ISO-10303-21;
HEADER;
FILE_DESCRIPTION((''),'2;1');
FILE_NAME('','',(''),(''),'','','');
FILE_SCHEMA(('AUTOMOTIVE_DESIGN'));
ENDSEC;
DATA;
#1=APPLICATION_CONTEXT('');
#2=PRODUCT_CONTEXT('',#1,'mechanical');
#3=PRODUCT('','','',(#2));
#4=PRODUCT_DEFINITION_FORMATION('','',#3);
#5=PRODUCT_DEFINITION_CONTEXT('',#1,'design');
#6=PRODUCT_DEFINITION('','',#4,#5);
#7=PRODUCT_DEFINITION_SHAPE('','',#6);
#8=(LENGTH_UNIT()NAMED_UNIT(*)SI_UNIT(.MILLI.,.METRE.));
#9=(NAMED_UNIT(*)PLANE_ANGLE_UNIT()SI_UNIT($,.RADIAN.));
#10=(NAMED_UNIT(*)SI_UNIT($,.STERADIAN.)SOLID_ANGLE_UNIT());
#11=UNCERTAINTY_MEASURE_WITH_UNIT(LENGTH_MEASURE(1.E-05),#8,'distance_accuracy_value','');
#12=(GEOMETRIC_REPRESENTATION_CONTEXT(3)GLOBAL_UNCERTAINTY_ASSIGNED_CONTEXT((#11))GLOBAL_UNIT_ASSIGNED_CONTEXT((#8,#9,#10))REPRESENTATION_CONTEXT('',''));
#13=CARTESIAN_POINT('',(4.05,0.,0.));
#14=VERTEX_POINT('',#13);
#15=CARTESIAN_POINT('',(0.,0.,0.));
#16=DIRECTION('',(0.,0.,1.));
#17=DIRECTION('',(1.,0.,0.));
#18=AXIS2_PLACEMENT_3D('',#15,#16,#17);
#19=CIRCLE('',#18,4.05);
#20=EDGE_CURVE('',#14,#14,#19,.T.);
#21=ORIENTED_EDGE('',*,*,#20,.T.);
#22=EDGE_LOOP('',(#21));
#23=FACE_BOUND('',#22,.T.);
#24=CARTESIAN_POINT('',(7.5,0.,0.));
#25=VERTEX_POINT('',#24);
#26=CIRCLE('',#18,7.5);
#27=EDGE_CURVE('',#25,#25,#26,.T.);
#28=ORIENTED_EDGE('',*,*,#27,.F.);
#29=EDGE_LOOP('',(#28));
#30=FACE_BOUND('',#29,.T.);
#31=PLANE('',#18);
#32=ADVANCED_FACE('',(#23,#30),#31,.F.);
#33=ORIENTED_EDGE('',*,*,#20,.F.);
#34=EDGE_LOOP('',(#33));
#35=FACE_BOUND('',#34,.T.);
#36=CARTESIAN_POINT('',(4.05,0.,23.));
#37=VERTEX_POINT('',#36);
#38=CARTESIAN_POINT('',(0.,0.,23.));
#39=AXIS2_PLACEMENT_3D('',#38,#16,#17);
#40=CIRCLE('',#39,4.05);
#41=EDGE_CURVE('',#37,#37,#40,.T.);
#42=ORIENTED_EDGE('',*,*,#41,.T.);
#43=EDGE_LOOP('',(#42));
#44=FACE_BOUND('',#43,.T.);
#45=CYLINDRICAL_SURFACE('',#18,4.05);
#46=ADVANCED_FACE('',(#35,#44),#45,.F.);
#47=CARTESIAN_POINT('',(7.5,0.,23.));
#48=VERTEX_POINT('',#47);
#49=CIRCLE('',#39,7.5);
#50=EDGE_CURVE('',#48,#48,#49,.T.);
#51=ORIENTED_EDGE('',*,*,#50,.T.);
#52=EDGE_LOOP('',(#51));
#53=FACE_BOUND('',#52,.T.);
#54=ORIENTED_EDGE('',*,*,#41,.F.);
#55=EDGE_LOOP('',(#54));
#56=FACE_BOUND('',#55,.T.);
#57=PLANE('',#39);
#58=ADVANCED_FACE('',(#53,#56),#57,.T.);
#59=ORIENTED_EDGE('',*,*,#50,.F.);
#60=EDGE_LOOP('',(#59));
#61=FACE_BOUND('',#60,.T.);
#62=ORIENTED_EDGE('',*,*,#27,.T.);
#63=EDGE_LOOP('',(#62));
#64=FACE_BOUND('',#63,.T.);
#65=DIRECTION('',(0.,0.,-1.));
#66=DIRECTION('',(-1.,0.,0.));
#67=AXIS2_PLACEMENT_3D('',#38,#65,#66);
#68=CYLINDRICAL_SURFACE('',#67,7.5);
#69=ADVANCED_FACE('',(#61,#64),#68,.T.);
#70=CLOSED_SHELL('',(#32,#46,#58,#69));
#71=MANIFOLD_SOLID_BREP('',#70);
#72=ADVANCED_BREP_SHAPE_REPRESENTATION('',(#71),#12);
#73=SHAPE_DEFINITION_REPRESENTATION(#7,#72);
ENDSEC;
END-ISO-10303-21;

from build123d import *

# Parameters (mm, degrees)
SKETCH1_R           = 7.5
BOSS_EXTRUDE1_DEPTH = 23
SKETCH2_R           = 4.05
CUT_EXTRUDE1_DEPTH  = 24


with BuildPart() as part:
    # Sketch1 → Boss-Extrude1 (new body)
    with BuildSketch(Plane.XY):
        Circle(SKETCH1_R)
    extrude(amount=BOSS_EXTRUDE1_DEPTH)

    # Sketch2 → Cut-Extrude1 (cut, through all)
    with BuildSketch(Plane.XY.offset(23)):
        Circle(SKETCH2_R)
    extrude(amount=-CUT_EXTRUDE1_DEPTH, mode=Mode.SUBTRACT)


solid = part.part
